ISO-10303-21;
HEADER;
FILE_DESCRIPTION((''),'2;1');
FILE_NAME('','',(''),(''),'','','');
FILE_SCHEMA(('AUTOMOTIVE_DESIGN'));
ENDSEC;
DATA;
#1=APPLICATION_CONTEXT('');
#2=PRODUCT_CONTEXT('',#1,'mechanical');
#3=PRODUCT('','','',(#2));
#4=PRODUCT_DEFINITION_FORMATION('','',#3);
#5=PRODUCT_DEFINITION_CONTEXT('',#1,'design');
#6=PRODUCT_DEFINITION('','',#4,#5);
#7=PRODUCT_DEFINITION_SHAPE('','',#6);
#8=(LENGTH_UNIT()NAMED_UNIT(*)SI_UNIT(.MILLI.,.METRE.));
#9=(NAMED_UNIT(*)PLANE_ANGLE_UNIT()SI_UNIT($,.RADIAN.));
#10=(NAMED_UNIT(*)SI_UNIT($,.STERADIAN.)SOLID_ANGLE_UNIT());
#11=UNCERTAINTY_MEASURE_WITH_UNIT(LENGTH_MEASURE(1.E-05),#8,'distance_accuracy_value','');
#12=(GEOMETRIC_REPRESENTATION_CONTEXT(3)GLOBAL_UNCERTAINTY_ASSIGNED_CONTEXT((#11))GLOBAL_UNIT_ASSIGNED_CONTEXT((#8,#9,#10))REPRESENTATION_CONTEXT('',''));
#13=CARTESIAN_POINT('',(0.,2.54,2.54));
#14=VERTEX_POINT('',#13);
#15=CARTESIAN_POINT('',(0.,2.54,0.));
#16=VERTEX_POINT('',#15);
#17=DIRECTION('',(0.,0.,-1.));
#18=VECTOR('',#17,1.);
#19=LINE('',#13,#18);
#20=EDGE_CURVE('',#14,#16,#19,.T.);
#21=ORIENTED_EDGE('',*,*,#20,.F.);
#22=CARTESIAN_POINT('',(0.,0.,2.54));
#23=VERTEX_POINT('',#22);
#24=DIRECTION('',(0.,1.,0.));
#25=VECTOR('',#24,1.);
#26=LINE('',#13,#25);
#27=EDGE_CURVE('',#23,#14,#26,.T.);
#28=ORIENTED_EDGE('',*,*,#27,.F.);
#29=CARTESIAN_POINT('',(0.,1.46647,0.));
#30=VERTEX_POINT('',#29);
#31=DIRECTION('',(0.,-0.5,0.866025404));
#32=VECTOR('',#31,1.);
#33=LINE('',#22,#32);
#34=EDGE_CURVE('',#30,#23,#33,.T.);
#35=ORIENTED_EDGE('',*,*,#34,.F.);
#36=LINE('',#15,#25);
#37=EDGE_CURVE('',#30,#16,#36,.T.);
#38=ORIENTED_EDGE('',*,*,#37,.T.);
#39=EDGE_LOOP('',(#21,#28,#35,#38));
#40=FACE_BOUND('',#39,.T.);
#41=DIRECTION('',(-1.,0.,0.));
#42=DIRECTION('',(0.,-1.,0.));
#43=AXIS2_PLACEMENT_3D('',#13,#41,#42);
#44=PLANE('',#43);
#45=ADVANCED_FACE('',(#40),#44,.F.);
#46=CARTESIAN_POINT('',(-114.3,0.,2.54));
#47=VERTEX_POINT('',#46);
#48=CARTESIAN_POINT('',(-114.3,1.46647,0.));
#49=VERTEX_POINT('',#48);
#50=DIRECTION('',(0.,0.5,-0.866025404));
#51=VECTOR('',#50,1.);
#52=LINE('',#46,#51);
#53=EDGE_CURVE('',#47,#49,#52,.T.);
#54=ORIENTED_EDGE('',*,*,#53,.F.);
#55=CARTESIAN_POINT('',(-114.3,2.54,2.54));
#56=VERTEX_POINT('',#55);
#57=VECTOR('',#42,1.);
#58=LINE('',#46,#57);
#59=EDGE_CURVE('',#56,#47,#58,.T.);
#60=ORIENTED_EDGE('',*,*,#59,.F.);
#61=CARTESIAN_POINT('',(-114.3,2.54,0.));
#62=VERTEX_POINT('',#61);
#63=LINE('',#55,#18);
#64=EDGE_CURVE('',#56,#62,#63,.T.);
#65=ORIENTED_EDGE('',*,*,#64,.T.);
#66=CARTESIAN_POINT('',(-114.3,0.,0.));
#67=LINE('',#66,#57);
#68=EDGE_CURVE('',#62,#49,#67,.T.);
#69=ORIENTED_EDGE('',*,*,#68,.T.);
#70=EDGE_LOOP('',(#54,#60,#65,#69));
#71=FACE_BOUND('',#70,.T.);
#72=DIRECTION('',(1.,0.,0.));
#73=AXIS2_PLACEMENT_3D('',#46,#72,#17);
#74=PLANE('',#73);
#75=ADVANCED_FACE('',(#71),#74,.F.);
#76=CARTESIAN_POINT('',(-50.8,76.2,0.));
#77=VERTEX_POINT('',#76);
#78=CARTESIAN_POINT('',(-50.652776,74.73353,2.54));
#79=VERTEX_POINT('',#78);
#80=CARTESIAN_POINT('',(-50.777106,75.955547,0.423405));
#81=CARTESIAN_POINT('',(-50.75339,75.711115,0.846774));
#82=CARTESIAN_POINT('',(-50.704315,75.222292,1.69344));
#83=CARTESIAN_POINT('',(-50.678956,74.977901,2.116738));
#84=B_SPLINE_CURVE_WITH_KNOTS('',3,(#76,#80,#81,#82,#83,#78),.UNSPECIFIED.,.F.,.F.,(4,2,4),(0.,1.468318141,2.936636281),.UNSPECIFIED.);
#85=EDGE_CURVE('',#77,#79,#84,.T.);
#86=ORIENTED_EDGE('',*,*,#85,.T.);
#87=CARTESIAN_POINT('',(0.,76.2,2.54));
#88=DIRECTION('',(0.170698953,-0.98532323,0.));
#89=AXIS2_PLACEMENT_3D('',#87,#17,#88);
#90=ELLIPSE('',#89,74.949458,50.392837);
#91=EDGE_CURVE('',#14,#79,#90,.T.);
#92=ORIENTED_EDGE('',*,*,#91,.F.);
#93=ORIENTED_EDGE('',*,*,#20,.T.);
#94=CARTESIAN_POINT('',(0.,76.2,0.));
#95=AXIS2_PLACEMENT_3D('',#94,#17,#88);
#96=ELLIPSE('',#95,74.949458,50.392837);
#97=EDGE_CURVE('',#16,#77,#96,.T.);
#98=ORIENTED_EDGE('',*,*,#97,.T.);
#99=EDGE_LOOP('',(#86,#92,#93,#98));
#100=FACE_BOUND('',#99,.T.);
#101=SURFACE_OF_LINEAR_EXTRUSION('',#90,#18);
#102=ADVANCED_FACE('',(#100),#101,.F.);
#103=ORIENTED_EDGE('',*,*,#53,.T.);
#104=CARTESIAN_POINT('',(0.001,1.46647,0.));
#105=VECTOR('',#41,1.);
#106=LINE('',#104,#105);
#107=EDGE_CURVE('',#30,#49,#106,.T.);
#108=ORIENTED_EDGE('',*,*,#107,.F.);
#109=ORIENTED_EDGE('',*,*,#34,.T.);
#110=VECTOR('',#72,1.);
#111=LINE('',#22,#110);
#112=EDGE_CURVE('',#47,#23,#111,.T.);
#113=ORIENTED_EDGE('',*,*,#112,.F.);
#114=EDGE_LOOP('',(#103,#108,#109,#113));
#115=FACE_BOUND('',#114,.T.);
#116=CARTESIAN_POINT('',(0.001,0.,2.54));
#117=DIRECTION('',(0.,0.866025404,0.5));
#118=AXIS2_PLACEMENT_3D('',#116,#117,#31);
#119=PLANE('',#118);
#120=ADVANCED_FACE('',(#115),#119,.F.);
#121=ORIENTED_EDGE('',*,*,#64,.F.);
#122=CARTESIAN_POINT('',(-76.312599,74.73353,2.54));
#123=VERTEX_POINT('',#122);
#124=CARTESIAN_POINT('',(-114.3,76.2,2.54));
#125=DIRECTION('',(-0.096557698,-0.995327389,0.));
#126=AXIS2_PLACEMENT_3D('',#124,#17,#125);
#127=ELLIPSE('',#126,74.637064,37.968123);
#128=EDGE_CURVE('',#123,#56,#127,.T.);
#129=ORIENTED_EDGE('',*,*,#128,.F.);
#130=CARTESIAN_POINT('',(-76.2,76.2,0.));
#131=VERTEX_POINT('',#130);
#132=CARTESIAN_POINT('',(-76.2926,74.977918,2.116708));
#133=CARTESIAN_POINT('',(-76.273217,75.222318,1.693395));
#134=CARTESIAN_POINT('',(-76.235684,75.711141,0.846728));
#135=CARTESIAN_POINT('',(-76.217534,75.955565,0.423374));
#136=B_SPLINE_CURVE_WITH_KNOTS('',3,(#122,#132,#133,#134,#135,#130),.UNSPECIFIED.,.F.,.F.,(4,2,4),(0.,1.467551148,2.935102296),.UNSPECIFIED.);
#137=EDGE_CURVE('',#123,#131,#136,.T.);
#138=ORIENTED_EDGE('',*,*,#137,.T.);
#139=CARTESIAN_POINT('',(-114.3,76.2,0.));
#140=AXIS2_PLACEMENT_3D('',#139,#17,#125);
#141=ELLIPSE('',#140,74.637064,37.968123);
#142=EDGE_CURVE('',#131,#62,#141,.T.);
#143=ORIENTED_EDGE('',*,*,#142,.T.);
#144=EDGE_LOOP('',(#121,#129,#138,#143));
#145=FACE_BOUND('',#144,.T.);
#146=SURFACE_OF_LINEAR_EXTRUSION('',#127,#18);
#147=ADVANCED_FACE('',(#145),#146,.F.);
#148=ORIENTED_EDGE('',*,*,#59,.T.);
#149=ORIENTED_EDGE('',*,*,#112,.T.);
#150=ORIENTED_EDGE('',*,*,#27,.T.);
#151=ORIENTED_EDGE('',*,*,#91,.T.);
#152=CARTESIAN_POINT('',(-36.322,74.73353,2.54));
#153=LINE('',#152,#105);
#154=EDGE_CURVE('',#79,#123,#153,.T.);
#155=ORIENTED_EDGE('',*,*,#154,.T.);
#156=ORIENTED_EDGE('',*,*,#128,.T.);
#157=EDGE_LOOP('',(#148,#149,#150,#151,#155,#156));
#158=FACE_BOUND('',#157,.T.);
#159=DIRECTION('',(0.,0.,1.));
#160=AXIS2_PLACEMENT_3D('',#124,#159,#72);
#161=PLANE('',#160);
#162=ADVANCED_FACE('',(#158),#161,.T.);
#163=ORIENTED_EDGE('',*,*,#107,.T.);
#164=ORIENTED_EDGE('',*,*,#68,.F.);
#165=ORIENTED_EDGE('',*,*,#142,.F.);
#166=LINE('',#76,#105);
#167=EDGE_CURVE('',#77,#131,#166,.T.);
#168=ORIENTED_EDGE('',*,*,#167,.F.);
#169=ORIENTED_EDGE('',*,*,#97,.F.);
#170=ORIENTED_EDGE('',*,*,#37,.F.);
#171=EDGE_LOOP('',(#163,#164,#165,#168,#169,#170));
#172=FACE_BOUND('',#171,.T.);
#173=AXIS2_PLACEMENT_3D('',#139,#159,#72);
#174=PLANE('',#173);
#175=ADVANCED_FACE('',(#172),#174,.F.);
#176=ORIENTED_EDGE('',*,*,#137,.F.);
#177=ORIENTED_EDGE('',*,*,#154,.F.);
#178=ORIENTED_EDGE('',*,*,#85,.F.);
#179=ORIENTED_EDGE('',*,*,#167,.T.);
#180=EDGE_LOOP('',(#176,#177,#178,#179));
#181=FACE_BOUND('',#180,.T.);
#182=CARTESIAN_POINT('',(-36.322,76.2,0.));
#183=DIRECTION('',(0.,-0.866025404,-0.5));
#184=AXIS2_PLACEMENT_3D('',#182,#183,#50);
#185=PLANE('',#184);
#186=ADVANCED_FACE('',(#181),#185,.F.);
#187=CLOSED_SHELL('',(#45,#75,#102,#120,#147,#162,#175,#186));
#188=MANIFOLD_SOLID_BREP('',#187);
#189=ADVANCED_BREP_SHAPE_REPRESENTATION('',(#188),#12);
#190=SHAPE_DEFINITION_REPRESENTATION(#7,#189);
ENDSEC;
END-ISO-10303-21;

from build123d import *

# Parameters (mm, degrees)
BOSS_EXTRUDE1_DEPTH = 2.54
CUT_EXTRUDE3_REACH  = 139.395
CUT_EXTRUDE4_DEPTH  = 77.978


with BuildPart() as part:
    # Sketch1 → Boss-Extrude1 (new body)
    with BuildSketch(Plane.XY):
        with BuildLine():
            Line((0, 0), (-114.3, 0))
            Line((-114.3, 0), (-114.3, 2.54))
            add(Edge.make_bspline(
                [(-114.3, 2.54), (-80.840252574, 11.511154975), (-76.2, 76.2)],
                knots=[0.188439876, 0.188439876, 0.188439876, 1.620106138, 1.620106138, 1.620106138], degree=2, weights=[1, 0.754546764, 1]))
            Line((-76.2, 76.2), (-50.8, 76.2))
            add(Edge.make_bspline(
                [(-50.8, 76.2), (-44.726222493, 11.346977385), (0, 2.54)],
                knots=[4.596431231, 4.596431231, 4.596431231, 6.031007642, 6.031007642, 6.031007642], degree=2, weights=[1, 0.753591079, 1]))
            Line((0, 2.54), (0, 0))
        make_face()
    extrude(amount=BOSS_EXTRUDE1_DEPTH)

    # Sketch4 → Cut-Extrude3 (cut, up to next)
    with BuildSketch(Plane.ZY.offset(114.3), mode=Mode.PRIVATE) as cut_extrude3_sk1:
        Polygon((2.54, 0), (0, 1.466469684), (0, 0), align=None)
    cut_extrude3_tool1 = extrude(cut_extrude3_sk1.sketch, amount=-CUT_EXTRUDE3_REACH, mode=Mode.PRIVATE) & part.part
    add(cut_extrude3_tool1.solids().sort_by_distance((-114.3, 0.488823, 0.846667))[0], mode=Mode.SUBTRACT)

    # Sketch5 → Cut-Extrude4 (cut)
    with BuildSketch(Plane.ZY.offset(114.3)):
        Polygon((0, 76.2), (2.54, 74.733530316), (2.54, 76.2), align=None)
    extrude(amount=-CUT_EXTRUDE4_DEPTH, mode=Mode.SUBTRACT)


solid = part.part
